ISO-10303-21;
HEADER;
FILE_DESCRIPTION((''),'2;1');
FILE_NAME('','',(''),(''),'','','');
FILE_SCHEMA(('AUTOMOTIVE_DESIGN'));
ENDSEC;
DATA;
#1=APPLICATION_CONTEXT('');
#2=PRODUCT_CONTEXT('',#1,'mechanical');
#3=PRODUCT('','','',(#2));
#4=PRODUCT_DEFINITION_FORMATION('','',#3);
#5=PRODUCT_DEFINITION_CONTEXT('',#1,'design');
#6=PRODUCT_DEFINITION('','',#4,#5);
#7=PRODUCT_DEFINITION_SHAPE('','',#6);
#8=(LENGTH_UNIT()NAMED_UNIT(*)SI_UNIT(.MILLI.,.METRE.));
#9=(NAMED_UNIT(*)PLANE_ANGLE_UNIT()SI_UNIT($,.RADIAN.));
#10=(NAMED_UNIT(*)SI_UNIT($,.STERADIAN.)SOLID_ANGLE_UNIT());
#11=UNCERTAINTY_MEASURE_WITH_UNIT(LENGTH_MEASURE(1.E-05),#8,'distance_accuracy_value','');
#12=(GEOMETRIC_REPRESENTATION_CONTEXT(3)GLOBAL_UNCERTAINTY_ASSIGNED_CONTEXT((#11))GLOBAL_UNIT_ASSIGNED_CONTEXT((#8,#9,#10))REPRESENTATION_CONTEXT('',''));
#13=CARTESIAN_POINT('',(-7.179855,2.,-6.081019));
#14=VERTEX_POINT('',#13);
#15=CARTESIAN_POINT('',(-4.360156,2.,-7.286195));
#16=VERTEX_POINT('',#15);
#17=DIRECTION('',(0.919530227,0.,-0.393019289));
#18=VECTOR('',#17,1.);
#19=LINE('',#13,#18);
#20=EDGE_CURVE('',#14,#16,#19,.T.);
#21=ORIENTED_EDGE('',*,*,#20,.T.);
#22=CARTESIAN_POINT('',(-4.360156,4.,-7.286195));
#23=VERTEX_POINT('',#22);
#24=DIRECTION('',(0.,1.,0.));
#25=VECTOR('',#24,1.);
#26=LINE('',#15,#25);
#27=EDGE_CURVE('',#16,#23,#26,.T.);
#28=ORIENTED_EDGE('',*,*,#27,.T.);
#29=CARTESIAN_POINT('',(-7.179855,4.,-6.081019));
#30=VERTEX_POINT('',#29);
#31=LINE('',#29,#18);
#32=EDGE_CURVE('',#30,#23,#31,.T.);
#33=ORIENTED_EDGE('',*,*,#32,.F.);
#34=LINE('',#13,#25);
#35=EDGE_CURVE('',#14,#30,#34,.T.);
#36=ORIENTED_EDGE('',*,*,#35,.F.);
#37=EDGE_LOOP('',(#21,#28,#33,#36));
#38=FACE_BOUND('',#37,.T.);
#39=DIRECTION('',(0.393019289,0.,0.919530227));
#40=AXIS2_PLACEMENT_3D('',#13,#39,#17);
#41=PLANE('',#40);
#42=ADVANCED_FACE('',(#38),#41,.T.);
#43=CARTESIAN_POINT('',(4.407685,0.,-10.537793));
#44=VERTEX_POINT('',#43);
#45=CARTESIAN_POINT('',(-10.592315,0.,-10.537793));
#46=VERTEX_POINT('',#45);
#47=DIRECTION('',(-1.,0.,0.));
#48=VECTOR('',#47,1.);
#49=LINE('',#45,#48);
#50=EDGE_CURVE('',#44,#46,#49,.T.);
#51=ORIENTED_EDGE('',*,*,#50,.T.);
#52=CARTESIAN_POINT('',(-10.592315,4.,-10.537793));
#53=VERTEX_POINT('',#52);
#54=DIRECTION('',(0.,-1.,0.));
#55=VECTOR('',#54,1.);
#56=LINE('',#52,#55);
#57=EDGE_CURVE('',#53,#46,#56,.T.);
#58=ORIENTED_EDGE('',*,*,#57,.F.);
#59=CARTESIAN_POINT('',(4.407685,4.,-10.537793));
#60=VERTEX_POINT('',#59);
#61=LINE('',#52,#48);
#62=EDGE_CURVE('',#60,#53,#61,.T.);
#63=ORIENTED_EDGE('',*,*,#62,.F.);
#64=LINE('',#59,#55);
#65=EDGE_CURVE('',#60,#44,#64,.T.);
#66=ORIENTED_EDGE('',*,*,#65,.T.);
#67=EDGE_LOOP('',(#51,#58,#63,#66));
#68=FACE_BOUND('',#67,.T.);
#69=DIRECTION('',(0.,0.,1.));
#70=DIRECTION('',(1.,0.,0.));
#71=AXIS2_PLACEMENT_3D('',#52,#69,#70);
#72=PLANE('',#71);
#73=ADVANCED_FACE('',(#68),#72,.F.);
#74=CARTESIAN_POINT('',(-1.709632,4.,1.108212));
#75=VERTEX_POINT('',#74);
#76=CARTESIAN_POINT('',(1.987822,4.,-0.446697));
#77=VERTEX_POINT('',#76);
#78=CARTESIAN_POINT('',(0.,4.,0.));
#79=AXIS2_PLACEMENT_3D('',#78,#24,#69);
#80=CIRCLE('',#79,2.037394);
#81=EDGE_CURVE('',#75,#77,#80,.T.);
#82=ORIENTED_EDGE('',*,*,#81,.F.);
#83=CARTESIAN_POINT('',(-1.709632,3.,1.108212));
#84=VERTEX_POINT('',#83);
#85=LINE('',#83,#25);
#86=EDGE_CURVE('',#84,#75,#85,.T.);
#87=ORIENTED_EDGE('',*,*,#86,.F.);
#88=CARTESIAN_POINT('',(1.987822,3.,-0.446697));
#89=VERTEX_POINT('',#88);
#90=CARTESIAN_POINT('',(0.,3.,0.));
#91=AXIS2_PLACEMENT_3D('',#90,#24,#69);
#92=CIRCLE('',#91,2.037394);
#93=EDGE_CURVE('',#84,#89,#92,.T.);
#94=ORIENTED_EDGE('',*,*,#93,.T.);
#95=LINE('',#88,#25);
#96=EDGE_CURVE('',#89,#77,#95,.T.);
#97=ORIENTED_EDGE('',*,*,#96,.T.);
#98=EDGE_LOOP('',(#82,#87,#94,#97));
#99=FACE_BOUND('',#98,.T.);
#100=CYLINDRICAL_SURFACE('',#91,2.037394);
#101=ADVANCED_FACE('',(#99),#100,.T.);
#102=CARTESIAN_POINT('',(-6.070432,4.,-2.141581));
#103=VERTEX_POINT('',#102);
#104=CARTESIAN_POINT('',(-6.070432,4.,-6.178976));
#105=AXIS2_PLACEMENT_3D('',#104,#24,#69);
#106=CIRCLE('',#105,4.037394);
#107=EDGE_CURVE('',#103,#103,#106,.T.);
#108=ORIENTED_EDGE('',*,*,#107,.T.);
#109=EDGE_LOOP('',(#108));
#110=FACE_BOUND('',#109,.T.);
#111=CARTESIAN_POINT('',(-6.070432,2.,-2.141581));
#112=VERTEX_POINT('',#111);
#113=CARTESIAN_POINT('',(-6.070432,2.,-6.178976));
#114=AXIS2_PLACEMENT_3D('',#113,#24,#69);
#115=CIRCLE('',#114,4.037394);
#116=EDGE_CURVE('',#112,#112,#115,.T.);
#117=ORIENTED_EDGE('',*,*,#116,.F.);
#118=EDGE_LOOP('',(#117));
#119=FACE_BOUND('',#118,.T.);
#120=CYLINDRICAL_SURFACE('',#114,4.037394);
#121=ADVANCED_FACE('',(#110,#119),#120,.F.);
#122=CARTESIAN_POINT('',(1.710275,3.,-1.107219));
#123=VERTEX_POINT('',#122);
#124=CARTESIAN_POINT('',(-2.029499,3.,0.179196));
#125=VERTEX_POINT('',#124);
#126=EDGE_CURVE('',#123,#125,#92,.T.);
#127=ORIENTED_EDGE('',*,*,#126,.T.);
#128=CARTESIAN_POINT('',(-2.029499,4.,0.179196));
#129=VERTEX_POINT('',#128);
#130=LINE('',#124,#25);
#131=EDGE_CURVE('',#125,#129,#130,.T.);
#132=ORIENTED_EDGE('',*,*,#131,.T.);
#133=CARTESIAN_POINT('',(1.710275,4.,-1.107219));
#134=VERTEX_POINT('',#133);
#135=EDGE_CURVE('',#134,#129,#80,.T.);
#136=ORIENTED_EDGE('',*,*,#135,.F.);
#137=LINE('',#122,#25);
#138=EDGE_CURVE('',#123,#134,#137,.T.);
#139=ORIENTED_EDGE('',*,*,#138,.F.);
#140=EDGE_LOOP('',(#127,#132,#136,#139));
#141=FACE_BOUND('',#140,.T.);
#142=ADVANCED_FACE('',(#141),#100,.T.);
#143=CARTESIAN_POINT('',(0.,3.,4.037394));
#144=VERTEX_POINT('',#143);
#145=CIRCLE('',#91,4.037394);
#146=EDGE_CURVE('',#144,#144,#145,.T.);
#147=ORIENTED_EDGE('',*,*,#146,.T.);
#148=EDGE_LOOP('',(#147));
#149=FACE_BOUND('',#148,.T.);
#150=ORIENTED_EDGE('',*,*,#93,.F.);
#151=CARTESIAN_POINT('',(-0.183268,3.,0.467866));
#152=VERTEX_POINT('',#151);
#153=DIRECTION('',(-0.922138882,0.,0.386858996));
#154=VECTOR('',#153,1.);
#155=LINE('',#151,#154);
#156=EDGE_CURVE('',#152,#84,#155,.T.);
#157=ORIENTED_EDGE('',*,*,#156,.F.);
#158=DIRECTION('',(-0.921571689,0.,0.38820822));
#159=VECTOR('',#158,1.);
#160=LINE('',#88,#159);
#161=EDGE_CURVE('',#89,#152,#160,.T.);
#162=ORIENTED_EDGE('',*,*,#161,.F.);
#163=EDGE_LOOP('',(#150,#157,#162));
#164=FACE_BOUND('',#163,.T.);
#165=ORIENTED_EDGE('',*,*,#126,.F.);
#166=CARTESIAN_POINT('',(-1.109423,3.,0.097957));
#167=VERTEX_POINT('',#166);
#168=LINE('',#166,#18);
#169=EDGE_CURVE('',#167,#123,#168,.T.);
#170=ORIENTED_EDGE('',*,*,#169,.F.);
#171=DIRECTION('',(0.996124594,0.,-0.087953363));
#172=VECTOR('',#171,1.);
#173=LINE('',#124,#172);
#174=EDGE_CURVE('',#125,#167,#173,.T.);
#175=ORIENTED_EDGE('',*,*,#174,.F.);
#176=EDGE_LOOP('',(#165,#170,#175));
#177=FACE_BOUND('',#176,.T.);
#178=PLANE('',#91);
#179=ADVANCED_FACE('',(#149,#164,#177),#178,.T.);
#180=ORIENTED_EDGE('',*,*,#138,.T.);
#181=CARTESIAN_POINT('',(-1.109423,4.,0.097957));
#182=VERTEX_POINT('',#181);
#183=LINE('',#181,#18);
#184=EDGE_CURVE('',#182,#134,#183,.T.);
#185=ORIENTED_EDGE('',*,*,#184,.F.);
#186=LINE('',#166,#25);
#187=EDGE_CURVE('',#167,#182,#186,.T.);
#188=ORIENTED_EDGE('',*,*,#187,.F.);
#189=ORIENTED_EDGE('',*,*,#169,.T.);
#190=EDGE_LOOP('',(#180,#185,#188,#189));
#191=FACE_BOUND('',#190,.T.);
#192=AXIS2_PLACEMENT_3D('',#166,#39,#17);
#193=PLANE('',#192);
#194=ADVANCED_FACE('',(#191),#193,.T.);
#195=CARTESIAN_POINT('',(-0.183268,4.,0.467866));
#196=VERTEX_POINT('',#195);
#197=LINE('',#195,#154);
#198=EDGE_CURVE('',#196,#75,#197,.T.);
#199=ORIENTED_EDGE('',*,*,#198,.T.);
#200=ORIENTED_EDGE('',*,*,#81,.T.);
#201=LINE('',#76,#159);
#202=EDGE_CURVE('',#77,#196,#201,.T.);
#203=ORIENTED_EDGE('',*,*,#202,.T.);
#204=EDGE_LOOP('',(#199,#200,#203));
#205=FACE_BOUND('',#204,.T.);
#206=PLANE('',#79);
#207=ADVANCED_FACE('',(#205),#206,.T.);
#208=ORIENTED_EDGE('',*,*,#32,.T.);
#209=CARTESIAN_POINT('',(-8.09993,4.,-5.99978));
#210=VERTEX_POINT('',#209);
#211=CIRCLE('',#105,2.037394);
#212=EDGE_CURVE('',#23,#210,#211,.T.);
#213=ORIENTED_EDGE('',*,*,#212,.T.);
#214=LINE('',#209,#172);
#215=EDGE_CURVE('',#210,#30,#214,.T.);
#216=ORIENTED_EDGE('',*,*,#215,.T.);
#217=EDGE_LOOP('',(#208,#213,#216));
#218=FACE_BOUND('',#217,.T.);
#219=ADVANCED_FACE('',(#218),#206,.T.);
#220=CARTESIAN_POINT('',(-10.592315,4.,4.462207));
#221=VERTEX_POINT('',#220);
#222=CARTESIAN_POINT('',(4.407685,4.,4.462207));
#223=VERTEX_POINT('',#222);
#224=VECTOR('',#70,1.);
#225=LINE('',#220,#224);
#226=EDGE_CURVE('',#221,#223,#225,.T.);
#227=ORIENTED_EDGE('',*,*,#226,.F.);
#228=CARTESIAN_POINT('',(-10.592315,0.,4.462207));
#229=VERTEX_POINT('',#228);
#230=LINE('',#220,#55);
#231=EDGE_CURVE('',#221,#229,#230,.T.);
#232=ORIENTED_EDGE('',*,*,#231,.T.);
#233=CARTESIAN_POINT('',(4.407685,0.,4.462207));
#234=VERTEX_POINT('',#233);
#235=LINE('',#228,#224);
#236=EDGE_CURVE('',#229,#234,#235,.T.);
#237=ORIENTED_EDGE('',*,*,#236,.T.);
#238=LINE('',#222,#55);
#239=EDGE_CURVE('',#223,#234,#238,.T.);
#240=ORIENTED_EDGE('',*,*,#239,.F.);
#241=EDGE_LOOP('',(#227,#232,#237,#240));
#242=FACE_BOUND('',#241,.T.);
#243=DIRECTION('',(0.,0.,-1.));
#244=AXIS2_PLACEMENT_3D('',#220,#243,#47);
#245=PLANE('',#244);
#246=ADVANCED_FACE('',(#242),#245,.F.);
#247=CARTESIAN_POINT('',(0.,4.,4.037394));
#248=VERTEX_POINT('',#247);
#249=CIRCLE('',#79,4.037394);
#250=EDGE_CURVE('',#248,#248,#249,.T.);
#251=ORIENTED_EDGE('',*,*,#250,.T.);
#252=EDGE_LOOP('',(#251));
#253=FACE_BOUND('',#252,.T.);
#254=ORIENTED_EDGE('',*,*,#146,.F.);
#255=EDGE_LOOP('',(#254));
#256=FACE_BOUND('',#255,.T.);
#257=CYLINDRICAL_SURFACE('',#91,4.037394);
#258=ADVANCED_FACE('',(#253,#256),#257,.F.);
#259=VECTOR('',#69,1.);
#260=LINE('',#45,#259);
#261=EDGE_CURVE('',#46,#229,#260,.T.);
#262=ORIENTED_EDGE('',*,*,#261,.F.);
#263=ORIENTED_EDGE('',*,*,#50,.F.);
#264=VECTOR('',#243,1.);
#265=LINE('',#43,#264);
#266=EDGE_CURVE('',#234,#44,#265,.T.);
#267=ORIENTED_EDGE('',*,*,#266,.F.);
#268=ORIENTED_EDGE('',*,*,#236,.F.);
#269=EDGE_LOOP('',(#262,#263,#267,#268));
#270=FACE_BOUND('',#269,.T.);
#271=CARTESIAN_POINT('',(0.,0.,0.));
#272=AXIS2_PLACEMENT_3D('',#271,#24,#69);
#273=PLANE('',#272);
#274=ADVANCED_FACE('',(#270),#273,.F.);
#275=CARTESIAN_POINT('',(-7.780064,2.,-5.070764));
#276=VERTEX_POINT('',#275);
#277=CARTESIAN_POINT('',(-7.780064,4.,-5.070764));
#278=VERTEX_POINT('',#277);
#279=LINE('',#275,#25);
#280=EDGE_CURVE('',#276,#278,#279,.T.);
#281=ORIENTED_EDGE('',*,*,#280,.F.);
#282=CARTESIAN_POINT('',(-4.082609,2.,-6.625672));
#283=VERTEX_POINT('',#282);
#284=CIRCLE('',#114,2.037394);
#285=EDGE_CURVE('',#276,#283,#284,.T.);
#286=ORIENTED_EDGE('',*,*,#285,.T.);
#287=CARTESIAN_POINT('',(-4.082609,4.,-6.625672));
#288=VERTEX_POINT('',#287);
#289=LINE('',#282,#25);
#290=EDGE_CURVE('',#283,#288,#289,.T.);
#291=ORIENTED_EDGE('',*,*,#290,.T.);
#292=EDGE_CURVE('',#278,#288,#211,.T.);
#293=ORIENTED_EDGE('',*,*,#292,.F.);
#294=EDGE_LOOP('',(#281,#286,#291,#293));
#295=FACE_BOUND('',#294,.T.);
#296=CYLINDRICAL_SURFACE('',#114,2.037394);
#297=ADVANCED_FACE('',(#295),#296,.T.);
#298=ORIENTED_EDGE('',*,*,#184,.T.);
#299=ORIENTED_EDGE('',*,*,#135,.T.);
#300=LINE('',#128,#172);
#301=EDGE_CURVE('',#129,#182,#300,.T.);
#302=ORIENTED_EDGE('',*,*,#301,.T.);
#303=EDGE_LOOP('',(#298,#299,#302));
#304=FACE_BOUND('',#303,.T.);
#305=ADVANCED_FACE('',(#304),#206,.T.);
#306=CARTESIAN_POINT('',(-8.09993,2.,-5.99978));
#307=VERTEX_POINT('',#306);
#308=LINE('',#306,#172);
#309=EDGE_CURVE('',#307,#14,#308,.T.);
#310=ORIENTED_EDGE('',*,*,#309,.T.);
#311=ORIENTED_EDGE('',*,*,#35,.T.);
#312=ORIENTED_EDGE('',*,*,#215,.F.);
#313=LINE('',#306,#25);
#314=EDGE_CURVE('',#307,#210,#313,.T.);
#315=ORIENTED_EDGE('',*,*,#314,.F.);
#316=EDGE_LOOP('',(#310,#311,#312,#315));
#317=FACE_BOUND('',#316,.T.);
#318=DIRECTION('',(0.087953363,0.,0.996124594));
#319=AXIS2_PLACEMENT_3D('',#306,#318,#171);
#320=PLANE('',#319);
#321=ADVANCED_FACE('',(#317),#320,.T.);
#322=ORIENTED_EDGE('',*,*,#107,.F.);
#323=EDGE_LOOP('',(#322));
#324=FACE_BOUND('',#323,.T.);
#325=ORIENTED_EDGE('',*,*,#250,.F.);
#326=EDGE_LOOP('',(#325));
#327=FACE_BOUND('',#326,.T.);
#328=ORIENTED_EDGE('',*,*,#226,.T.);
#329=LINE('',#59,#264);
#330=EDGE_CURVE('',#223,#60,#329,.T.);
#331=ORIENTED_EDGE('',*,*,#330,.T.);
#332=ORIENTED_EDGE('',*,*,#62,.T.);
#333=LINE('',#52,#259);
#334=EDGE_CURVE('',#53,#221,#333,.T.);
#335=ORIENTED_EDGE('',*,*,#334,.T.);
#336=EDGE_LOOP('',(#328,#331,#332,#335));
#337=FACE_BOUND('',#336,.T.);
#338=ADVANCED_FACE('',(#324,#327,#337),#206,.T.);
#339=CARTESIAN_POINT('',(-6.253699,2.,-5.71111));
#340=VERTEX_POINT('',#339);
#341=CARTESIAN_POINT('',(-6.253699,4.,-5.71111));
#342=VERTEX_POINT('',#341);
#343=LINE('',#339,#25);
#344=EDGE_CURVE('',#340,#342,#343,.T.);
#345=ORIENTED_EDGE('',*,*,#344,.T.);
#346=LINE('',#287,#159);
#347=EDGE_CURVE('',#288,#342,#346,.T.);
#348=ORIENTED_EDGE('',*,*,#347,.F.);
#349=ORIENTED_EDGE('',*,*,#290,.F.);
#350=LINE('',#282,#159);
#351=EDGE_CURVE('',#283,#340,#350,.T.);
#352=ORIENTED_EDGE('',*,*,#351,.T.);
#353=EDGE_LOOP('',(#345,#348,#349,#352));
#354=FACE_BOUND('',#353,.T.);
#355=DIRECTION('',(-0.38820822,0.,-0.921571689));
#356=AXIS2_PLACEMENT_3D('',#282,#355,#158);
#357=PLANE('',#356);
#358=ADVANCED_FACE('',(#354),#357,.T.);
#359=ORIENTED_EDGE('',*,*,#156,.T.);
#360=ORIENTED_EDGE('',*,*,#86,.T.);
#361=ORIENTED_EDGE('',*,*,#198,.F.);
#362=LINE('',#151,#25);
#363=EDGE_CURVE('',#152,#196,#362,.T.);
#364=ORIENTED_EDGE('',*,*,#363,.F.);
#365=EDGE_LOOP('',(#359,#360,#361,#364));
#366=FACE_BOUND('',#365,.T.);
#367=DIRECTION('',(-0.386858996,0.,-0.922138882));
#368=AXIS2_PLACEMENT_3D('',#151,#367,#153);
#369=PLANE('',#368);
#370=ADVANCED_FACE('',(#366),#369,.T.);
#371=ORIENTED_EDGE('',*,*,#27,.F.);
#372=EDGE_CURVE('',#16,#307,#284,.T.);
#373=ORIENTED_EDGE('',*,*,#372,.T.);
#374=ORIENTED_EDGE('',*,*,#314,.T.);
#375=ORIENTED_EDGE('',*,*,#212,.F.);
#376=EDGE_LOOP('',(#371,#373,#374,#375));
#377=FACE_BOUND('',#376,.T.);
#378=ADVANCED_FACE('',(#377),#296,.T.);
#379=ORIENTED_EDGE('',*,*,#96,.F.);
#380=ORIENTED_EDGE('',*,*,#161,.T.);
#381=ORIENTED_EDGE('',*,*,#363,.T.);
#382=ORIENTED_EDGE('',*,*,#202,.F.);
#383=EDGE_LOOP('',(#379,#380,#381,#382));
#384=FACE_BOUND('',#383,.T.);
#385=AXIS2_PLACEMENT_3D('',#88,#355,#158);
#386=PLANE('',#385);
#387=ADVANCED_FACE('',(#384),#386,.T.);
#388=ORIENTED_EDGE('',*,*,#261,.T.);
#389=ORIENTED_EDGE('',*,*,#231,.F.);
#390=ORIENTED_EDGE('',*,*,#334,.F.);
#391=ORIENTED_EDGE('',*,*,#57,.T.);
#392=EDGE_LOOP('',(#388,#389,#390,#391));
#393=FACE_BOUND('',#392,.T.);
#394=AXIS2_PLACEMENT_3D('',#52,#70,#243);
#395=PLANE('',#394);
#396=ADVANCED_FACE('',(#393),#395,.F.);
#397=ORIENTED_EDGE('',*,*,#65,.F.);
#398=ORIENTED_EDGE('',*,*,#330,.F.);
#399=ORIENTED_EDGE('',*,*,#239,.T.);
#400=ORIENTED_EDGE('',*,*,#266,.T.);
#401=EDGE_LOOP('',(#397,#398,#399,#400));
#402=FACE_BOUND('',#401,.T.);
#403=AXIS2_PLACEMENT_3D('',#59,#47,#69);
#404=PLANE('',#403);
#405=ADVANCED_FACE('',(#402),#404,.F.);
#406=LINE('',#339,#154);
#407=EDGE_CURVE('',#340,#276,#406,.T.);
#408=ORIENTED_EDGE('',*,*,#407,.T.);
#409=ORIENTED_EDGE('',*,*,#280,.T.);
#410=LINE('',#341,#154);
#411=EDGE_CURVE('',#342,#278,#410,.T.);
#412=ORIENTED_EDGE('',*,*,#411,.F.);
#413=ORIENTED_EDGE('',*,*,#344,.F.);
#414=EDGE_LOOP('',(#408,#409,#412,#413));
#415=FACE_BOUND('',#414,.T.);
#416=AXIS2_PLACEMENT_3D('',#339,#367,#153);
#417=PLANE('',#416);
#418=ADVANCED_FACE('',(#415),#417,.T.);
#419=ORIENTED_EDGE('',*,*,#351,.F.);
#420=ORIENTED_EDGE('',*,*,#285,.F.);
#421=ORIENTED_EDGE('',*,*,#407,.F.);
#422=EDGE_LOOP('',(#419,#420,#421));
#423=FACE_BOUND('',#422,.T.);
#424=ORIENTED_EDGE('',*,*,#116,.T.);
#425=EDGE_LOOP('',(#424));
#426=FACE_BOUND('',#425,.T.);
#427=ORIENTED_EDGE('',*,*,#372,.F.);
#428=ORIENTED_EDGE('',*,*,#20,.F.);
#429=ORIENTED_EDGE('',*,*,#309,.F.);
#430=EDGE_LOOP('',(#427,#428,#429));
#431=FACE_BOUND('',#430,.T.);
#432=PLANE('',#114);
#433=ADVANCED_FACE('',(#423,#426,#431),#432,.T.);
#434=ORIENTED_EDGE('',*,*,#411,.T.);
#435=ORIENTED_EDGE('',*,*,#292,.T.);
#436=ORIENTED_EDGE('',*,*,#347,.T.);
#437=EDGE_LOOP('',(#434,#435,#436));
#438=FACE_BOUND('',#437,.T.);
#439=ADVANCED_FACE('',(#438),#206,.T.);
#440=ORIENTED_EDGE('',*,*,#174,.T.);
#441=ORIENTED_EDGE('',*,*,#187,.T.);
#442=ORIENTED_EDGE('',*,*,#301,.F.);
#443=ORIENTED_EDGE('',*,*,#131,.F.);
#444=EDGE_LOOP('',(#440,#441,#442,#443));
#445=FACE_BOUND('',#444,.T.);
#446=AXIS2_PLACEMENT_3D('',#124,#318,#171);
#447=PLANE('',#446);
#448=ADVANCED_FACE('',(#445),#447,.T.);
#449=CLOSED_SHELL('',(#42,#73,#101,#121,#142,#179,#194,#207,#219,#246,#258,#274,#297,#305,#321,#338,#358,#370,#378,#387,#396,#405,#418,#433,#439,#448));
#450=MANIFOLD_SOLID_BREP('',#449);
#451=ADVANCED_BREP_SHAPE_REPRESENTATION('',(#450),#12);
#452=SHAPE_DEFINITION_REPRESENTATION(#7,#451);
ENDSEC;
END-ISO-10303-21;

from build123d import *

# Parameters (mm, degrees)
SKETCH1_W           = 15
SKETCH1_H           = 15
BOSS_EXTRUDE1_DEPTH = 4
SKETCH3_R           = 4.037394367
CUT_EXTRUDE2_DEPTH  = 1
SKETCH2_R           = 4.037394367
CUT_EXTRUDE3_DEPTH  = 2


with BuildPart() as part:
    # Sketch1 → Boss-Extrude1 (new body)
    with BuildSketch(Plane(origin=(0, 0, 0), x_dir=(1, 0, 0), z_dir=(0, 1, 0))):
        with Locations((-3.092315207, 3.037793064)):
            Rectangle(SKETCH1_W, SKETCH1_H)
    extrude(amount=BOSS_EXTRUDE1_DEPTH)

    # Sketch3 → Cut-Extrude2 (cut)
    with BuildSketch(Plane(origin=(0, 4, 0), x_dir=(1, 0, 0), z_dir=(0, 1, 0))):
        Circle(SKETCH3_R)
        with BuildLine():
            Line((-2.029498636, -0.179195686), (-1.109423018, -0.097957109))
            Line((-1.109423018, -0.097957109), (1.710275386, 1.107218999))
            ThreePointArc((1.710275386, 1.107218999), (-0.662715291, 1.926599141), (-2.029498636, -0.179195686))
        make_face(mode=Mode.SUBTRACT)
        with BuildLine():
            Line((1.987822429, 0.44669654), (-0.18326754, -0.467866029))
            Line((-0.18326754, -0.467866029), (-1.709632143, -1.108211957))
            ThreePointArc((-1.709632143, -1.108211957), (0.789799068, -1.87808233), (1.987822429, 0.44669654))
        make_face(mode=Mode.SUBTRACT)
    extrude(amount=-CUT_EXTRUDE2_DEPTH, mode=Mode.SUBTRACT)

    # Sketch2 → Cut-Extrude3 (cut)
    with BuildSketch(Plane(origin=(0, 4, 0), x_dir=(1, 0, 0), z_dir=(0, 1, 0))):
        with Locations((-6.070431837, 6.178975723)):
            Circle(SKETCH2_R)
        with BuildLine():
            Line((-8.099930473, 5.999780036), (-7.179854855, 6.081018614))
            Line((-7.179854855, 6.081018614), (-4.360156451, 7.286194722))
            ThreePointArc((-4.360156451, 7.286194722), (-6.733147128, 8.105574864), (-8.099930473, 5.999780036))
        make_face(mode=Mode.SUBTRACT)
        with BuildLine():
            Line((-4.082609408, 6.625672263), (-6.253699377, 5.711109693))
            Line((-6.253699377, 5.711109693), (-7.78006398, 5.070763766))
            ThreePointArc((-7.78006398, 5.070763766), (-5.280632769, 4.300893392), (-4.082609408, 6.625672263))
        make_face(mode=Mode.SUBTRACT)
    extrude(amount=-CUT_EXTRUDE3_DEPTH, mode=Mode.SUBTRACT)


solid = part.part
